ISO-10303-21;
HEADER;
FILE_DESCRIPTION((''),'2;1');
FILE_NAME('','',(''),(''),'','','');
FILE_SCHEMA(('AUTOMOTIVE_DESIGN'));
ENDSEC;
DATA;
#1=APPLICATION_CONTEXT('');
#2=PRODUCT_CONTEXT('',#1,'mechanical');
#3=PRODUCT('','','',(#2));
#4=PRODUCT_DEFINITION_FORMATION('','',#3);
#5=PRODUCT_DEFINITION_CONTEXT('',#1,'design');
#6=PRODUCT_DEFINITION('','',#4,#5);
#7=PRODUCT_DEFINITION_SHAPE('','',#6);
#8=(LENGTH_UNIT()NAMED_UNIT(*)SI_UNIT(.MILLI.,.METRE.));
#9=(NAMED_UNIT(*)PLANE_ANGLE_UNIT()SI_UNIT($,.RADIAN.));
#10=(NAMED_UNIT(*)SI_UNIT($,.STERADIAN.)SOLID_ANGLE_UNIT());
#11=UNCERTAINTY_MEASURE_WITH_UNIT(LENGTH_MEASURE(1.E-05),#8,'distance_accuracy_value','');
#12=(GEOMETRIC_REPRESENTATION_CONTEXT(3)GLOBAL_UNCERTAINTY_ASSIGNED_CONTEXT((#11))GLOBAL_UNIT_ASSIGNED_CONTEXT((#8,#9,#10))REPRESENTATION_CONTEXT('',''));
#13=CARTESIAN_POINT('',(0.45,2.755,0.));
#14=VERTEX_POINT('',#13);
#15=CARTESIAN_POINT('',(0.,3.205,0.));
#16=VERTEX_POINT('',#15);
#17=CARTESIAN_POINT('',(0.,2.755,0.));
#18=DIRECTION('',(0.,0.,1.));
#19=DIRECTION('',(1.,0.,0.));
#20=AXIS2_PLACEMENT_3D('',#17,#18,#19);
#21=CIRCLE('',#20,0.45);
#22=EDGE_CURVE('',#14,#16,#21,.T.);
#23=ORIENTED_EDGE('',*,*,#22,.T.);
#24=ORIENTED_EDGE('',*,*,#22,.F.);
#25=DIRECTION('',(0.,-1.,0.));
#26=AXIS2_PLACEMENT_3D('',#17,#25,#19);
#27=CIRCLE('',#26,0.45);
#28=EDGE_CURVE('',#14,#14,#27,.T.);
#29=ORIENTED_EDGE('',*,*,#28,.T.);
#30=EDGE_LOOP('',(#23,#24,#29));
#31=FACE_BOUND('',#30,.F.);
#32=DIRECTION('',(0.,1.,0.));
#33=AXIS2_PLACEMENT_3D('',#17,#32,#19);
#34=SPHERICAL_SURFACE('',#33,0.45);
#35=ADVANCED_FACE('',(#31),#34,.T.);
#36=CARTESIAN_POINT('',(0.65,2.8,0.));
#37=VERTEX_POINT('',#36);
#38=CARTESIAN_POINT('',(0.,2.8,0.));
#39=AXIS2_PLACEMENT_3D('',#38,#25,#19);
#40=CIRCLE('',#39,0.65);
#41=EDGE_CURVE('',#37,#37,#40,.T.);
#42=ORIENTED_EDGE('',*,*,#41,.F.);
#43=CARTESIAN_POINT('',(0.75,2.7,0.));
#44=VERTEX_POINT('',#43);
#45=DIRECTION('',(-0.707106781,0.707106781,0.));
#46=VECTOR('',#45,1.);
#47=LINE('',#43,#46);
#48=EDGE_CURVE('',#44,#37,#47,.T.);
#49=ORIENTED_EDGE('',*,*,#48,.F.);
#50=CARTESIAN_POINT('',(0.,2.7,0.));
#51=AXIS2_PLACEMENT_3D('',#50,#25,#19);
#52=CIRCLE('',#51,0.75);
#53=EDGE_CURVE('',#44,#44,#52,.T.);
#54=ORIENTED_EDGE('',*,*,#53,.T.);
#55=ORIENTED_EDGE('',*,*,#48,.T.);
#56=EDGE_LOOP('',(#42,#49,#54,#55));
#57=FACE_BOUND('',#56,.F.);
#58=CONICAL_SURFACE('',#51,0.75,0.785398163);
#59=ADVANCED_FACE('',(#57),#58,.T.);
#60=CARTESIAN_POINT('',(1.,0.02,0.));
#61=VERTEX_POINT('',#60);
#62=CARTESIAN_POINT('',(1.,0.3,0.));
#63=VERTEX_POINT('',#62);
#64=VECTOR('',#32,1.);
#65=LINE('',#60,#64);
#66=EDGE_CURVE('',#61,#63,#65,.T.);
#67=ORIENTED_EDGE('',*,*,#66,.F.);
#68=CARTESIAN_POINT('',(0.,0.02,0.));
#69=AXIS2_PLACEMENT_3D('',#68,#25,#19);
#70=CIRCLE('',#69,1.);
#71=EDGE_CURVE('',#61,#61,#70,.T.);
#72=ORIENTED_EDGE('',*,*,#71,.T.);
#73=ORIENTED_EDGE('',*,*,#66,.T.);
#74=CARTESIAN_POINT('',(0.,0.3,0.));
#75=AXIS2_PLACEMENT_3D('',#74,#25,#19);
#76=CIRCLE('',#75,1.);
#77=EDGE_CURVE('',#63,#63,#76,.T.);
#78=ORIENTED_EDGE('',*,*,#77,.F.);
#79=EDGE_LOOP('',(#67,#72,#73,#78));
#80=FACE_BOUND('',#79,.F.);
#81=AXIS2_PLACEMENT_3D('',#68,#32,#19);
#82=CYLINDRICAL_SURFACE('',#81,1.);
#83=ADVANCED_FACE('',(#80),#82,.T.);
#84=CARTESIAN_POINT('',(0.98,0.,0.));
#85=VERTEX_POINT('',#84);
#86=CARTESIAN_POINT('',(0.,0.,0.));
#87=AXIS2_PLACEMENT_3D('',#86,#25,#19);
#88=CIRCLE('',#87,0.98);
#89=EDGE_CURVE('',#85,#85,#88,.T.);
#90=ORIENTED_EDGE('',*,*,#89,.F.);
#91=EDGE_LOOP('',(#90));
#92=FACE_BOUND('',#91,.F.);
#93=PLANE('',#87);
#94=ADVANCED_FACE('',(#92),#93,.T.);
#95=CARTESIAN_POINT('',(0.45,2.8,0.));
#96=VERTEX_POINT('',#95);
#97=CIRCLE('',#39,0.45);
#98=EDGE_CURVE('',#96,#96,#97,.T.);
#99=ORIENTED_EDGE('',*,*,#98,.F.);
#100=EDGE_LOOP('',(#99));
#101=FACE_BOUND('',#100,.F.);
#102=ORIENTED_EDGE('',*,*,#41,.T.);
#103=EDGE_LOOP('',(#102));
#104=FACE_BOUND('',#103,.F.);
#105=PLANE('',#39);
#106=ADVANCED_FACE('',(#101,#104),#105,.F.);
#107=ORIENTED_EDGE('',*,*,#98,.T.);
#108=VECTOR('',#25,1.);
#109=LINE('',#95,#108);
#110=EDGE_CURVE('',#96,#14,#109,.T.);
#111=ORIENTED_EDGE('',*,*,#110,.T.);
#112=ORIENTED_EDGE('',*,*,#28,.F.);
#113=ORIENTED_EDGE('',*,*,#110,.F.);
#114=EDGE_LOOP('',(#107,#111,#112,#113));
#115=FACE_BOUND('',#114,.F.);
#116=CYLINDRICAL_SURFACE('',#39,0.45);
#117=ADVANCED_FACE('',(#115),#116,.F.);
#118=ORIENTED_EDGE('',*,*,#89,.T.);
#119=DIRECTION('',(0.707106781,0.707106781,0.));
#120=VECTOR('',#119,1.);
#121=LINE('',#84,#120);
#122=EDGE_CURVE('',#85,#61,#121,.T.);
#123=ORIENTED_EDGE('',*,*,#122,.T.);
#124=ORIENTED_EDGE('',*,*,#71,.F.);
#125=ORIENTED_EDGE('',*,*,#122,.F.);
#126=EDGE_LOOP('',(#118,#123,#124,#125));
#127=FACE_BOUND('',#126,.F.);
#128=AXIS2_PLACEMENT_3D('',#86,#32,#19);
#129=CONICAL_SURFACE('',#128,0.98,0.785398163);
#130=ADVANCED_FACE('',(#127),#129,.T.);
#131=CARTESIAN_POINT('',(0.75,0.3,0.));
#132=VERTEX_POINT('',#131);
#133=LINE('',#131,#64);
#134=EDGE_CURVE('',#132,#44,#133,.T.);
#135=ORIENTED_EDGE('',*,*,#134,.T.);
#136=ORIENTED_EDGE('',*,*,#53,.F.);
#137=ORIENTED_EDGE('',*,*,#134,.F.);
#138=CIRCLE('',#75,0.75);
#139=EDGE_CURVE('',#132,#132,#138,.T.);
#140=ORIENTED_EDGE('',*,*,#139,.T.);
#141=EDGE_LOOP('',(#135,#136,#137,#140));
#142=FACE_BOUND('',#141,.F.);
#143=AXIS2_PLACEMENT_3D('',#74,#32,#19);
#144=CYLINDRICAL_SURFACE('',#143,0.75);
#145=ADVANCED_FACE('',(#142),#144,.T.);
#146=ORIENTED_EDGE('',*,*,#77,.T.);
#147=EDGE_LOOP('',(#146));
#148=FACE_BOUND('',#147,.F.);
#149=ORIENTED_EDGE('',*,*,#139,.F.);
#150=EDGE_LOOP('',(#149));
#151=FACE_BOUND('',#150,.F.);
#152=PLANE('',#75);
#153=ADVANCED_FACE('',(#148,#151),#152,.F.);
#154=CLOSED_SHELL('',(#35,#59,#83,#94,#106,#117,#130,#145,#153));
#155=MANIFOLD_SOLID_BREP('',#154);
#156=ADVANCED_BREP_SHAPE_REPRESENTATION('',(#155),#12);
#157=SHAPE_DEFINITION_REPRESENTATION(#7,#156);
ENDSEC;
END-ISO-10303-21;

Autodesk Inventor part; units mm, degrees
ref_plane "YZ Plane" through (0, 0, 0) normal (1, 0, 0) x (0, 1, 0)
ref_plane "XZ Plane" through (0, 0, 0) normal (0, 1, 0) x (-1, 0, 0)
ref_plane "XY Plane" through (0, 0, 0) normal (0, 0, 1) x (1, 0, 0)
sketch "Sketch1" plane through (0, 0, 0) normal (0, 0, 1) x (1, 0, 0)
  line L0 (0, 0) -> (0.98, 0)
  line L1 (0.98, 0) -> (1, 0.02)
  line L2 (1, 0.02) -> (1, 0.3)
  line L3 (1, 0.3) -> (0.75, 0.3)
  line L4 (0.75, 0.3) -> (0.75, 2.7)
  line L5 (0.75, 2.7) -> (0.65, 2.8)
  line L6 (0.65, 2.8) -> (0.45, 2.8)
  line L7 (0.45, 2.8) -> (0.45, 2.755)
  arc A0 (0.45, 2.755) -> (0, 3.205) centre (0, 2.755) ccw
  line L8 (0, 3.205) -> (0, 0)
  dimension "d0" = 135
  dimension "d1" = 45
  dimension "d2" = 0.45
  dimension "d3" = 1
  dimension "d4" = 0.02
  dimension "d5" = 0.1
  dimension "d6" = 0.75
  dimension "d7" = 3.205
  dimension "d8" = 2.8
  dimension "d9" = 0.3
revolve "Revolution1" add sketch "Sketch1" angle 360 about axis through (0, 3.205, 0) along (0, -1, 0)
properties part number "Pogo-pin"
